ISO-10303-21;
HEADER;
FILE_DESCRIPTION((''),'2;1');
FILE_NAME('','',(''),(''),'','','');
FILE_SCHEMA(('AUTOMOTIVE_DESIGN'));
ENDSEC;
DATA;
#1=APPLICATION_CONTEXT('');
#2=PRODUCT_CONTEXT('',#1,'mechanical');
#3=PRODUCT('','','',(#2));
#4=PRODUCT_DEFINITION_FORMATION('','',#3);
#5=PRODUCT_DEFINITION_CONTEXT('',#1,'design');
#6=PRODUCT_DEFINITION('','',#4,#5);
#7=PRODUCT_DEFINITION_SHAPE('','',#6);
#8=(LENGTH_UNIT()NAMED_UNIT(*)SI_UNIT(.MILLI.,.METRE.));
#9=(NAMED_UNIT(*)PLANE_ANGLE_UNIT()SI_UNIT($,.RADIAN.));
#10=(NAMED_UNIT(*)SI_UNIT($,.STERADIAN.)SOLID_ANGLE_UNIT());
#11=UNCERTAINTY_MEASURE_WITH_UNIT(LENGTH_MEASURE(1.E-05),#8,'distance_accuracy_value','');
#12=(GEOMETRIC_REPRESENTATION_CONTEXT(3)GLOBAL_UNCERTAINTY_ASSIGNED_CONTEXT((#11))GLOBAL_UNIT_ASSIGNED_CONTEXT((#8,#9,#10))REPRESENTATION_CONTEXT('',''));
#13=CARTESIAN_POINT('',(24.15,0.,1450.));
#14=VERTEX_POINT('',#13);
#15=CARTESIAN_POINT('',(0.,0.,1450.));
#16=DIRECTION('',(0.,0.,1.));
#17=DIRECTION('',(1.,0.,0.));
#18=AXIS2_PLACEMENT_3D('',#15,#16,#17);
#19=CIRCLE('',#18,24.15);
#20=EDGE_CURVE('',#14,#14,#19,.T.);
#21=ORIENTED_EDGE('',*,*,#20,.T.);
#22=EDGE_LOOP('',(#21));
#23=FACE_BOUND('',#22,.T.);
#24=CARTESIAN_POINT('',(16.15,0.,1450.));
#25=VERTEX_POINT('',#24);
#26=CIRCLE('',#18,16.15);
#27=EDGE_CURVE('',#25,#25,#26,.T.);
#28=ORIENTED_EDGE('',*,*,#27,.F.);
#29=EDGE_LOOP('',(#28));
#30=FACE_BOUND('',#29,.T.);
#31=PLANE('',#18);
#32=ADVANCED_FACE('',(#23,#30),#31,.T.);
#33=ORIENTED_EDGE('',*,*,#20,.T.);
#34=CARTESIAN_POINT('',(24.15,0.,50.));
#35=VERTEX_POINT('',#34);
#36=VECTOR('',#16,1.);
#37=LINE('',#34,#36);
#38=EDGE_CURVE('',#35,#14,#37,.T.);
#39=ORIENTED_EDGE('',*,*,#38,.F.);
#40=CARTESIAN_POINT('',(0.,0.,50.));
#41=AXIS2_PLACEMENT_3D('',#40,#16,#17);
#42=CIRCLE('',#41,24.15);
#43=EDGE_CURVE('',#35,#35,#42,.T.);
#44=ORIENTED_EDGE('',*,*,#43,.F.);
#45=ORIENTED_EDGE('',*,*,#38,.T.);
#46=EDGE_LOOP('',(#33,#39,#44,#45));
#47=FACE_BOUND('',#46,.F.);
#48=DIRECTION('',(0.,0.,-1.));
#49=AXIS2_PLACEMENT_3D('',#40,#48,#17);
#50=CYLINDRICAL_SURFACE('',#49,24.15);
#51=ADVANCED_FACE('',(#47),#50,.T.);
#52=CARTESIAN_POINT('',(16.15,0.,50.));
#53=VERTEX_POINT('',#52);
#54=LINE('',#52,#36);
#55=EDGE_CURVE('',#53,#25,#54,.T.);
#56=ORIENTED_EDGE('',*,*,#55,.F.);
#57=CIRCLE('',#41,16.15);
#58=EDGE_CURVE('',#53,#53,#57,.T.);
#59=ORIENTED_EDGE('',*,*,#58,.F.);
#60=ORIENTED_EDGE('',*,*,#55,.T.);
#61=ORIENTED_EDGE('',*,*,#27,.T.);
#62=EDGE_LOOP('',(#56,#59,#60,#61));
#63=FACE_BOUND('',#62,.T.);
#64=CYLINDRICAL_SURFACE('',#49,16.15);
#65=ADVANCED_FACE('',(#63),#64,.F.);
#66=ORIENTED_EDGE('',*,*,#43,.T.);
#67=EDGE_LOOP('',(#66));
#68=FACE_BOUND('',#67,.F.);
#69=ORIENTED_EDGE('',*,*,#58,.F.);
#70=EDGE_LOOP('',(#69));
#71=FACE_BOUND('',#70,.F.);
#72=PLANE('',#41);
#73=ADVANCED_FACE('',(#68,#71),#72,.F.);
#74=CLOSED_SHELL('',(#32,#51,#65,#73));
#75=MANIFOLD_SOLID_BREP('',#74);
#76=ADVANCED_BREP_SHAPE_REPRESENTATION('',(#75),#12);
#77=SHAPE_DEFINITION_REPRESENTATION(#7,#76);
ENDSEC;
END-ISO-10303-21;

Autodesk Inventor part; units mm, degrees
ref_plane "Начальная плоскость" through (0, 0, 50) normal (0, 0, 1) x (1, 0, 0)
ref_plane "Конечная плоскость" through (0, 0, 1450) normal (0, 0, 1) x (1, 0, 0)
sketch "Эскиз" plane through (0, 0, 0) normal (0, 0, 1) x (1, 0, 0)
  circle A0 centre (0, 0) radius 16.15
  circle A1 centre (0, 0) radius 24.15
  dimension "d0" = 48.3
  dimension "d1" = 8
extrude "Тело" add sketch "Эскиз" along normal up to surface (1400 mm away) from surface at 50
sketch "Sketch3" plane through (0, 0, 0) normal (0, 0, 1) x (1, 0, 0)
  line L0 (0, 0) -> (10, 0)
ref_plane "Work Plane3" through (0, 0, 0) normal (0, -1, 0) x (1, 0, 0)
sketch "Sketch4" plane through (0, 0, 0) normal (0, -1, 0) x (1, 0, 0)
  line L0 (-2, 50) -> (12, 50)
  line L1 (-2, 1450) -> (12, 1450)
  dimension "d7" = 1400
ref_plane "РабПлоскость4" through (25, -1000, 50) normal (0, 0, -1) x (-1, 0, 0)
split "Разделение1" plane through (25, -1000, 50) removes the side toward (0, 0, -1)
ref_plane "РабПлоскость5" through (-25, -1000, 1450) normal (0, 0, 1) x (1, 0, 0)
split "Разделение2" plane through (-25, -1000, 1450) removes the side toward (0, 0, 1)
equation "\"d0\" = G_H"
equation "\"d1\" = G_T"
equation "\"d2\" = G_L"
equation "\"G_H\" = 48.3"
equation "\"G_T\" = 8"
equation "\"G_L\" = d7"
properties part number "DIN2448 - 48,3 x 8 - 1400" material "Сталь, мягкая"
